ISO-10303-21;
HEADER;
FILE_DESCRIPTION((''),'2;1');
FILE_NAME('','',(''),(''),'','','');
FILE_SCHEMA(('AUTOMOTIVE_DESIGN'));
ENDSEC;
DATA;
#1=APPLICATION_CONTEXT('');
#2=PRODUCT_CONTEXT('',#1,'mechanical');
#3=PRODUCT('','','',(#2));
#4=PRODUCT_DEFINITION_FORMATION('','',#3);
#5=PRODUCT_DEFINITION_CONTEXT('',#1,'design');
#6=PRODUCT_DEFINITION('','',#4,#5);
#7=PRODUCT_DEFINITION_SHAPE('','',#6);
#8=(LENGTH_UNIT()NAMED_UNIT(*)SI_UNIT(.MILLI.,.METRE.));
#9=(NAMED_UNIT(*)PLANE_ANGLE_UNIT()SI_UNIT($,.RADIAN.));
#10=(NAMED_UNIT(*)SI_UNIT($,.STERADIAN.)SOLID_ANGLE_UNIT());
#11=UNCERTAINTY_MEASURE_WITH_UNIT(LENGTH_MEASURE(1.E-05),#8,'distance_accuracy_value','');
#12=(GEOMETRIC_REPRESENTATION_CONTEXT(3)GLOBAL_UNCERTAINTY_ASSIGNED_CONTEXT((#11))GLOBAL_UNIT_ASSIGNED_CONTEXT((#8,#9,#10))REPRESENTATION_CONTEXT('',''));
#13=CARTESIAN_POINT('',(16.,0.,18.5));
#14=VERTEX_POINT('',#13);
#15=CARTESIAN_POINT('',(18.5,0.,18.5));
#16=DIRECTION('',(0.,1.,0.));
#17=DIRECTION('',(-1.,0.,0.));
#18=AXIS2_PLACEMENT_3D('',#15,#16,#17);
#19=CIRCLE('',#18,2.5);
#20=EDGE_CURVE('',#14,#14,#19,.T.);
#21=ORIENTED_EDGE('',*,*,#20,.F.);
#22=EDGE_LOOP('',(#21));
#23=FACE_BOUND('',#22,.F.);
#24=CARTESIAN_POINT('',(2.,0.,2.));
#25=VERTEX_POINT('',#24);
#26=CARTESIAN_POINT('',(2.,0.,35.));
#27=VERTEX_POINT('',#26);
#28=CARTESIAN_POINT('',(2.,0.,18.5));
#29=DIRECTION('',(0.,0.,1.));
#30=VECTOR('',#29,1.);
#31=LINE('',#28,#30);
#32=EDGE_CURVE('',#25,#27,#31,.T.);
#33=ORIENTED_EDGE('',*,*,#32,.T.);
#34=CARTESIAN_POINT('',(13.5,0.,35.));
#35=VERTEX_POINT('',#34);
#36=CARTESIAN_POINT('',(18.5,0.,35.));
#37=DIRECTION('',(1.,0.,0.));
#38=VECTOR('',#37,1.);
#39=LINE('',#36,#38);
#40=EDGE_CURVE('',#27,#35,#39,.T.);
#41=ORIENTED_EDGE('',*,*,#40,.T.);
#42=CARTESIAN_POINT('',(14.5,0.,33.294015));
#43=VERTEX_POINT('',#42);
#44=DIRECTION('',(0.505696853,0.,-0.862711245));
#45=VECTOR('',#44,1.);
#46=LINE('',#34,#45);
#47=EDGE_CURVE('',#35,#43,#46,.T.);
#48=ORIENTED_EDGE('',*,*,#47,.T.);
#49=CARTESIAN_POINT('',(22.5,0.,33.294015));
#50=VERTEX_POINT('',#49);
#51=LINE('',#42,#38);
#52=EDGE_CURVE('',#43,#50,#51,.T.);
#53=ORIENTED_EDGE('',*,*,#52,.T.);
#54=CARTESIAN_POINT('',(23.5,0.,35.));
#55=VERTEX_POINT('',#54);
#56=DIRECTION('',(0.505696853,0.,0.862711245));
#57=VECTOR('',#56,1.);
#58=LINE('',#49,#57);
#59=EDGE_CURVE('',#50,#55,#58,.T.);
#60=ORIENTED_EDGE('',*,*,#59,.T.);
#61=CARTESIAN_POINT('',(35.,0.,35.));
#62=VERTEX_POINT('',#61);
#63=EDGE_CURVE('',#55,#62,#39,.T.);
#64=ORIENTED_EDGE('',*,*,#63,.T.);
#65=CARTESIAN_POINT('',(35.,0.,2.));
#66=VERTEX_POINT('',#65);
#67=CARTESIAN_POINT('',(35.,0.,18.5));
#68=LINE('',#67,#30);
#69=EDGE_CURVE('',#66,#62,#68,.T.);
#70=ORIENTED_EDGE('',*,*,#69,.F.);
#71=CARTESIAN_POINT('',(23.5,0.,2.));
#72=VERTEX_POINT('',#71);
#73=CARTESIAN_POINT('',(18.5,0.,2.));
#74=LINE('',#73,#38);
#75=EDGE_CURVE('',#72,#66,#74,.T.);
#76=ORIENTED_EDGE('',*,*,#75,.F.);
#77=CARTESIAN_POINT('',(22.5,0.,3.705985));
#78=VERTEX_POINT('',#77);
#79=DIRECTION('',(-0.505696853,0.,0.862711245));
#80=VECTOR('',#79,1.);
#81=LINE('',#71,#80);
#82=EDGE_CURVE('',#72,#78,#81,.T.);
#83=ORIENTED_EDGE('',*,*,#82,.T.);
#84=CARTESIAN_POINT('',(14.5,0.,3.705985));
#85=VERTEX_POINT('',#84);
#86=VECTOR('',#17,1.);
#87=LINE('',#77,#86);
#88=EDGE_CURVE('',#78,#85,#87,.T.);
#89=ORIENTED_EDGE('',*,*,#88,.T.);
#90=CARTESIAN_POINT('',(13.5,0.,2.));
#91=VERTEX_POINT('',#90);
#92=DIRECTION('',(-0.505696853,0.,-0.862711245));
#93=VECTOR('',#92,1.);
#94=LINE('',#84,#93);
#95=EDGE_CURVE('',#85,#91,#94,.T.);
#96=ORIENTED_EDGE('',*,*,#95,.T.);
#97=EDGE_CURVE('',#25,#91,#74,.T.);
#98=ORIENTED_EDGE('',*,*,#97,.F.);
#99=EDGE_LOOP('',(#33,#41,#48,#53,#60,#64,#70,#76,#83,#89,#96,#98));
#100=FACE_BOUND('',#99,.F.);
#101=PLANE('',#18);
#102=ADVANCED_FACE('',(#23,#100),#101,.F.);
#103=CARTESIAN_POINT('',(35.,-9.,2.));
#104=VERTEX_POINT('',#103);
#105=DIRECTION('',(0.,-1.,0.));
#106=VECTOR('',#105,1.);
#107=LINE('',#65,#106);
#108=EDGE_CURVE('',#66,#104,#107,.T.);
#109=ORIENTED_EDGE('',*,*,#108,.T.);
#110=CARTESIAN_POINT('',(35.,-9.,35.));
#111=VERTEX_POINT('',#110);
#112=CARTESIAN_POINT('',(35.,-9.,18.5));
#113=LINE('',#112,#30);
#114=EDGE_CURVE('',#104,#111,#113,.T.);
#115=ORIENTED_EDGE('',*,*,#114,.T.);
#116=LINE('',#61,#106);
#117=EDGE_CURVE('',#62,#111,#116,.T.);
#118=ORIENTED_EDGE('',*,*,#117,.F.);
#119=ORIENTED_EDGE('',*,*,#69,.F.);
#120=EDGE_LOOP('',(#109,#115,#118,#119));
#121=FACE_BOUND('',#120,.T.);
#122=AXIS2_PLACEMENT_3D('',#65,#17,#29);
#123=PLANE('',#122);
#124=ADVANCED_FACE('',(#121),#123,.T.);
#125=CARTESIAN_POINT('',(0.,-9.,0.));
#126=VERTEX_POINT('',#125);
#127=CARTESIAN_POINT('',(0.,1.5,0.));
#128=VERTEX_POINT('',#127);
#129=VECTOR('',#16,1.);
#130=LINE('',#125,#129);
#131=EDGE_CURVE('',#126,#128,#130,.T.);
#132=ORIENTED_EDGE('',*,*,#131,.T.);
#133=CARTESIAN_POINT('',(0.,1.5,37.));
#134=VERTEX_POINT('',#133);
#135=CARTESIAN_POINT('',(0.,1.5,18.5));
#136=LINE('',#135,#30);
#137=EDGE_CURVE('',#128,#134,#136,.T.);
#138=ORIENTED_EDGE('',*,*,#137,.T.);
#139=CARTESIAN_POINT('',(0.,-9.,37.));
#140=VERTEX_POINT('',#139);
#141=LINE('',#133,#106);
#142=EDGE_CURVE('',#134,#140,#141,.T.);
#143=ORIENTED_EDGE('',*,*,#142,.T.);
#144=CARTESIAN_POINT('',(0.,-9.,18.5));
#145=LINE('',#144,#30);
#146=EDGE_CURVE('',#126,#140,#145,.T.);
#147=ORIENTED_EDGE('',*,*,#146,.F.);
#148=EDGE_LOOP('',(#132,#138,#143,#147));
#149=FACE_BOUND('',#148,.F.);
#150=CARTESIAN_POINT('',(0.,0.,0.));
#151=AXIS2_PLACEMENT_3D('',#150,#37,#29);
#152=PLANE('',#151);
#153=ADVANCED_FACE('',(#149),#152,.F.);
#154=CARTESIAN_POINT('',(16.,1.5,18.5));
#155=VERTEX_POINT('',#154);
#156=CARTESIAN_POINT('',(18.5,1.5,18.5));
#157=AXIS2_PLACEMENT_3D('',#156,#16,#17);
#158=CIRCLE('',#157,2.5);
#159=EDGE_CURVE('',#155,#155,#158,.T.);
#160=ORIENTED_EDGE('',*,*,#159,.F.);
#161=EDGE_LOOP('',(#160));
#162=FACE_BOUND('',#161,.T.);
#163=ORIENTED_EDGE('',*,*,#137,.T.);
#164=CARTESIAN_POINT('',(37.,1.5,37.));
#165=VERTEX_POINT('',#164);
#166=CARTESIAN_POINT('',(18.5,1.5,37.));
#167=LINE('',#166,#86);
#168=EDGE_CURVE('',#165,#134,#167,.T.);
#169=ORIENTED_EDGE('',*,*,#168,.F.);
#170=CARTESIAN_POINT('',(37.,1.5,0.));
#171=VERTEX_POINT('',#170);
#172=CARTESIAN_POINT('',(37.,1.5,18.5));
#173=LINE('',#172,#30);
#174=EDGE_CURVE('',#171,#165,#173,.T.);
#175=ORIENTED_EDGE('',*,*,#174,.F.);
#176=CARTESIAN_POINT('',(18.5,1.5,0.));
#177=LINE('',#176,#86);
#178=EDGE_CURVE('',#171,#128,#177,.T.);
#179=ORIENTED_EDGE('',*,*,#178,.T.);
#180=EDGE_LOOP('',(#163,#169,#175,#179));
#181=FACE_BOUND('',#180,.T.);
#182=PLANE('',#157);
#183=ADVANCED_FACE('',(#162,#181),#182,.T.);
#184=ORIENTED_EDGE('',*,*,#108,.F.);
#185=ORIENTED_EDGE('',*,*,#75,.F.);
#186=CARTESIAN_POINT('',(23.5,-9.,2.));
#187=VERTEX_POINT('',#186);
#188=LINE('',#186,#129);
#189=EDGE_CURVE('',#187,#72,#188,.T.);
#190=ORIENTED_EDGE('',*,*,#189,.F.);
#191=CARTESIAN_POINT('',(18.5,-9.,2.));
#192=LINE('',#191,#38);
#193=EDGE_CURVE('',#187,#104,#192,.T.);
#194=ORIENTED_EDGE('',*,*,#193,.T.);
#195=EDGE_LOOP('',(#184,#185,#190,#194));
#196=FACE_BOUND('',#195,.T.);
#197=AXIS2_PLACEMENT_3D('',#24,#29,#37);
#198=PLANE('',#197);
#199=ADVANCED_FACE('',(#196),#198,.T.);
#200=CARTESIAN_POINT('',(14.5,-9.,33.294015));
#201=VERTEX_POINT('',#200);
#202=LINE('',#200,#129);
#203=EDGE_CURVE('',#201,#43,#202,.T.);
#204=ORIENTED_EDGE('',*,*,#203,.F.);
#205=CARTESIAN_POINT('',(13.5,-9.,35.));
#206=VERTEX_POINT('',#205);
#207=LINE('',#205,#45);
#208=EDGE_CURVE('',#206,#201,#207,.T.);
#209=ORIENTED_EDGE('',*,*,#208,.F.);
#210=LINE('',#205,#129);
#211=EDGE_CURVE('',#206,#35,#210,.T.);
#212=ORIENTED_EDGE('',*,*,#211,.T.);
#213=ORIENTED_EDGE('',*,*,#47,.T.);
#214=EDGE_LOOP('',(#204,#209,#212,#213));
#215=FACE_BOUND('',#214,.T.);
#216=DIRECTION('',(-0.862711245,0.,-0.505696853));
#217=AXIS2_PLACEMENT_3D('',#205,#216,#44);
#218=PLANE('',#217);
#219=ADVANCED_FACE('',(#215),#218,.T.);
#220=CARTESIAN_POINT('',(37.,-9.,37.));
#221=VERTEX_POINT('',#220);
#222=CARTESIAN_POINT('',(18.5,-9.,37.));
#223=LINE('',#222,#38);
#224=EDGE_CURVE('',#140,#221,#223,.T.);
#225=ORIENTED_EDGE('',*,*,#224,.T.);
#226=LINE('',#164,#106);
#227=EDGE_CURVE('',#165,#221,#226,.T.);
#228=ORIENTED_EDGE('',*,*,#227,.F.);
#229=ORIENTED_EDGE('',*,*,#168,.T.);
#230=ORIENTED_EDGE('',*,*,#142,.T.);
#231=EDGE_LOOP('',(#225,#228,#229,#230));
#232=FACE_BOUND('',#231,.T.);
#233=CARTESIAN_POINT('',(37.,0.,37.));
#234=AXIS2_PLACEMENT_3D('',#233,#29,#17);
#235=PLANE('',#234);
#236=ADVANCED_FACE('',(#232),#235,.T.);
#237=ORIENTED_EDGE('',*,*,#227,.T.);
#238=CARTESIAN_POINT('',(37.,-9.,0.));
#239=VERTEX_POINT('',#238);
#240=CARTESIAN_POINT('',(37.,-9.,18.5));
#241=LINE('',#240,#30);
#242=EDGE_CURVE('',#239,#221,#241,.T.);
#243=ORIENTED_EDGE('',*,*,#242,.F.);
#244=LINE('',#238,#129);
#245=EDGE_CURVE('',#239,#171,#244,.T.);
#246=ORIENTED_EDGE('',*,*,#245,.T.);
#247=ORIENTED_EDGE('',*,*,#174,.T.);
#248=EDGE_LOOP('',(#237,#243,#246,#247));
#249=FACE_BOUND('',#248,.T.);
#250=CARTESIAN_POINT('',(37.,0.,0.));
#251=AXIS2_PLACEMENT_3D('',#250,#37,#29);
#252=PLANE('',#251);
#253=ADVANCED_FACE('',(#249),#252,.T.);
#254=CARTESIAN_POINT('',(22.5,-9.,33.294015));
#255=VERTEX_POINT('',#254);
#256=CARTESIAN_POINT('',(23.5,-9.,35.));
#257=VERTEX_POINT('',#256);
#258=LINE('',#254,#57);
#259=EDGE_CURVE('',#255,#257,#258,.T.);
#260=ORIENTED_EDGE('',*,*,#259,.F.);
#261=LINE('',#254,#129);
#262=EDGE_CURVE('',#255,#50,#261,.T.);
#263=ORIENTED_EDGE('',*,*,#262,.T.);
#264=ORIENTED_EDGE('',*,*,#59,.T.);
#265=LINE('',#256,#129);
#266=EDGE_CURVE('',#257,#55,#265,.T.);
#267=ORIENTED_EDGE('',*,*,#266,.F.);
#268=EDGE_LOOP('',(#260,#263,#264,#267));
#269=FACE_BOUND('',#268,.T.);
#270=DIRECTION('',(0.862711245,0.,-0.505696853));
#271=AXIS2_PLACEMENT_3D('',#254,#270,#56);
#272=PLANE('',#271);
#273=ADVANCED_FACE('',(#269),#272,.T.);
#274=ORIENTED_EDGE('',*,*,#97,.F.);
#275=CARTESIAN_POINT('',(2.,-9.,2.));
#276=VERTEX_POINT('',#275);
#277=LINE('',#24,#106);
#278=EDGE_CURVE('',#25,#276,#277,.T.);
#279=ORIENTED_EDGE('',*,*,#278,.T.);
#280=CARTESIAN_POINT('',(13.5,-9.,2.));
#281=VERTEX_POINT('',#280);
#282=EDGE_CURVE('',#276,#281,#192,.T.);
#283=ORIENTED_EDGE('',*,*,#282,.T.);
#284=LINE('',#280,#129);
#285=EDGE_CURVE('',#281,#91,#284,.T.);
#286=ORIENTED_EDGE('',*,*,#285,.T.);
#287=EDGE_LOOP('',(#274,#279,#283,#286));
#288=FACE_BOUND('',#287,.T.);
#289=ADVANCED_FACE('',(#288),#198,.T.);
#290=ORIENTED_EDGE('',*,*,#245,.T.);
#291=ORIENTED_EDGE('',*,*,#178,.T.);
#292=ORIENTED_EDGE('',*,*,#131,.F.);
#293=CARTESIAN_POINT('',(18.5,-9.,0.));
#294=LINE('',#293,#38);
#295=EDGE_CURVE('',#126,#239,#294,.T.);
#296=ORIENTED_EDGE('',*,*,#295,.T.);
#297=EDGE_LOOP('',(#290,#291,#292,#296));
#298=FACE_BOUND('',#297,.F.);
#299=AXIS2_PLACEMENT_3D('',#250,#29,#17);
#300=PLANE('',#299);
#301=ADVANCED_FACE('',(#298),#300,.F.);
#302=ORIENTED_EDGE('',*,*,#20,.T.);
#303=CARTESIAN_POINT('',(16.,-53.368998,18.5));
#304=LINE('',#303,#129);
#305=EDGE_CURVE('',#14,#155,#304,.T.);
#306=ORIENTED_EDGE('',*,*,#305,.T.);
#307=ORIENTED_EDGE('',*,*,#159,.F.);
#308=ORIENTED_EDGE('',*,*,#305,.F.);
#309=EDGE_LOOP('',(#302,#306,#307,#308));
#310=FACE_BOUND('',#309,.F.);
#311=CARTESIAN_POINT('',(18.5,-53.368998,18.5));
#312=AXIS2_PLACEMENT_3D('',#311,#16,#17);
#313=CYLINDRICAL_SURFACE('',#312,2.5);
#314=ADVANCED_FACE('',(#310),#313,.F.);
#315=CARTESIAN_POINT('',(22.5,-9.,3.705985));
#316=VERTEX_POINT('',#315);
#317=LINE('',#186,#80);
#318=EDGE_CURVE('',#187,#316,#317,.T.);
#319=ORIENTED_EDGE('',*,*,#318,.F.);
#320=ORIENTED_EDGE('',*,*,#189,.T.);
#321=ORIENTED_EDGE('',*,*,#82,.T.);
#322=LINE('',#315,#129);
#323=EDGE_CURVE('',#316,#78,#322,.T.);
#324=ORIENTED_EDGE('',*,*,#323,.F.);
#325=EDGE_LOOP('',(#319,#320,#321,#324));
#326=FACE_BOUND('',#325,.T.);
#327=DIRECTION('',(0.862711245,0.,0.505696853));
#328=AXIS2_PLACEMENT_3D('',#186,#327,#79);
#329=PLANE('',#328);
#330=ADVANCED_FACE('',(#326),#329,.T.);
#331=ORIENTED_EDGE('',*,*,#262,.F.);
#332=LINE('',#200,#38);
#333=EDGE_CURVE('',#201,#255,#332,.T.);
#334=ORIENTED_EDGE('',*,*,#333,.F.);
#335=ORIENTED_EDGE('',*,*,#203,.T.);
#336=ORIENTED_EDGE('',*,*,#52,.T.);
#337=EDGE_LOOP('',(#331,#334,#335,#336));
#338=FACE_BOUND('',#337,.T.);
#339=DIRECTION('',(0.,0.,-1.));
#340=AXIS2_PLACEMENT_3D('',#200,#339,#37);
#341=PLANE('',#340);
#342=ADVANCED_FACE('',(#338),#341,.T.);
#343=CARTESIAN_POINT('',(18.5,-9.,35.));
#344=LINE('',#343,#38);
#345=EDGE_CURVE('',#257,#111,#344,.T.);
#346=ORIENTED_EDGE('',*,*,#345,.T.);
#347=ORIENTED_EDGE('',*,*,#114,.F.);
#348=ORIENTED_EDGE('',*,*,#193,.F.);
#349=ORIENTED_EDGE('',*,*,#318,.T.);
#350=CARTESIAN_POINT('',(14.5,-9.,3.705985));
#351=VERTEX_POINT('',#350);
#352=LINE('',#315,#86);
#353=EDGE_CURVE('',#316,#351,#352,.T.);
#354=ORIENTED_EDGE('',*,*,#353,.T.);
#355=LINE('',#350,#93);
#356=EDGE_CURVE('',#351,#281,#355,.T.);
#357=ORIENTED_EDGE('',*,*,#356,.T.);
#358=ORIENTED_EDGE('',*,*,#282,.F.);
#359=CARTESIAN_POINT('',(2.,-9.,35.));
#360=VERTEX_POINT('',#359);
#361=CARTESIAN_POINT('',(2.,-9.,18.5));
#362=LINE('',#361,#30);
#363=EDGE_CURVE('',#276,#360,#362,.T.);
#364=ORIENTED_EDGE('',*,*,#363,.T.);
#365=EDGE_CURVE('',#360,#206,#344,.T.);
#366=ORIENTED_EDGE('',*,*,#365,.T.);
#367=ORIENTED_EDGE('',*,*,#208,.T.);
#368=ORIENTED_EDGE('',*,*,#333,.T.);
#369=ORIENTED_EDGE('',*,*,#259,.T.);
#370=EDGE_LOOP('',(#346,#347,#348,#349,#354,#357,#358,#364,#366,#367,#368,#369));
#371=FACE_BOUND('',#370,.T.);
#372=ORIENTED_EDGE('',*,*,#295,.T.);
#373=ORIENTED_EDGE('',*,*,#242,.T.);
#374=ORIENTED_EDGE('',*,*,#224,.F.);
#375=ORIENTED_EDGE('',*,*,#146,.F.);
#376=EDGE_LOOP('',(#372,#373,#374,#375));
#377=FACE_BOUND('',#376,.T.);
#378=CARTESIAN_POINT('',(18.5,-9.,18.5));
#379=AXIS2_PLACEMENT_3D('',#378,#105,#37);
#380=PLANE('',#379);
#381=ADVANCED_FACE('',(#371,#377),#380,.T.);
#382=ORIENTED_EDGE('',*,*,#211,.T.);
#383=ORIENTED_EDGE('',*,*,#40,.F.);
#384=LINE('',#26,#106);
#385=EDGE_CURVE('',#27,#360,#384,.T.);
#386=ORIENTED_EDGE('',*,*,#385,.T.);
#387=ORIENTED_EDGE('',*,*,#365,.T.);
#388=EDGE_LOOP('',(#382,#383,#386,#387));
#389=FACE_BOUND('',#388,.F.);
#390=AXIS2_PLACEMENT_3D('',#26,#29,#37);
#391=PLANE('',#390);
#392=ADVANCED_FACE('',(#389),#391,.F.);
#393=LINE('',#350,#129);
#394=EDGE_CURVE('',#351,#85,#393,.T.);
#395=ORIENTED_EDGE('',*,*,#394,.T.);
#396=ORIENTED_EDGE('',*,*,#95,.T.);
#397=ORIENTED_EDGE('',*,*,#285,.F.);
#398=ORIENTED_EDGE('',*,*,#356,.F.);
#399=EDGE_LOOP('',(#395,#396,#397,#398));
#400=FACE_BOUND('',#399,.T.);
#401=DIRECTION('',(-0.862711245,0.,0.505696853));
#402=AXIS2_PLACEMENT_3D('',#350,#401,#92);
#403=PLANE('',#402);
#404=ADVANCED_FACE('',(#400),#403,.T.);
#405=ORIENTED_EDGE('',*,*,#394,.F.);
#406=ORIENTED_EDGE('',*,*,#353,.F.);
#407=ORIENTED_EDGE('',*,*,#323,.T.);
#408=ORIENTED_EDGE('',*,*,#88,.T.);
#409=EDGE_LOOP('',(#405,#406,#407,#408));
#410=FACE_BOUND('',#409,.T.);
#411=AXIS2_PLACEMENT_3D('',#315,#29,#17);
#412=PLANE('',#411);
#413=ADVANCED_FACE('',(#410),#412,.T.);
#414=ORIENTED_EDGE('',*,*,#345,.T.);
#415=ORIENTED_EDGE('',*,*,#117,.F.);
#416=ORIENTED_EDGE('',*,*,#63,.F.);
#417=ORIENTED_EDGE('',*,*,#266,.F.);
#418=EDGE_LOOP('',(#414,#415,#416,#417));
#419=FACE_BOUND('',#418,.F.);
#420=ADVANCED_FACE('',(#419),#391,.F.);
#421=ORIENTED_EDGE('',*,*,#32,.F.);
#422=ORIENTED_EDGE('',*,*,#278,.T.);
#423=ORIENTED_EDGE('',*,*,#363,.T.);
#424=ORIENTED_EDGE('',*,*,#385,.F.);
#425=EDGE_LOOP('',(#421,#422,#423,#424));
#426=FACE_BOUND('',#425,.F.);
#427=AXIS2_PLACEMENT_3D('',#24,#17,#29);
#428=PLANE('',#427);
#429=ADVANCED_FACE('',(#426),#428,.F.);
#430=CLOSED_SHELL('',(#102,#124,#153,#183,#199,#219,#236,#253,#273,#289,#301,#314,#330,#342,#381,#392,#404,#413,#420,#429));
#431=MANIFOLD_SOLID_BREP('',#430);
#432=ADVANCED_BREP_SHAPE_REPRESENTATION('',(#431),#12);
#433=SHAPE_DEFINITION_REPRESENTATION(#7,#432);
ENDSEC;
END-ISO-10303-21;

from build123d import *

# Parameters (mm, degrees)
F0_W     = 37
F0_H     = 37
F0_W_2   = 33
F0_H_2   = 33
F1_DEPTH = 9
F2_W     = 37
F2_H     = 37
F3_DEPTH = 1.5
F5_DEPTH = 9
F7_D     = 5


with BuildPart() as f1:
    # F0 (on Front) → F1 (new body)
    with BuildSketch(Plane.XZ):
        with Locations((18.5, 18.5)):
            Rectangle(F0_W, F0_H)
        with Locations((18.5, 18.5)):
            Rectangle(F0_W_2, F0_H_2, mode=Mode.SUBTRACT)
    extrude(amount=F1_DEPTH)

    # F2 (on face) → F3 (join)
    with BuildSketch(Plane(origin=(0, 0, 0), x_dir=(-1, 0, 0), z_dir=(0, 1, 0))):
        with Locations((-18.5, 18.5)):
            Rectangle(F2_W, F2_H)
    extrude(amount=F3_DEPTH)

    # F4 (on face) → F5 (join, through all)
    with BuildSketch(Plane.XZ.offset(9)):
        Polygon((23.5, 35), (13.5, 35), (14.5, 33.294015), (22.5, 33.294015), align=None)
        Polygon((14.5, 3.705985), (13.5, 2), (23.5, 2), (22.5, 3.705985), align=None)
    extrude(amount=-F5_DEPTH)

    # F7 (through all)
    with Locations(Plane.XZ):
        with Locations((18.5, 18.5)):
            Hole(F7_D / 2)


solid = f1.part
